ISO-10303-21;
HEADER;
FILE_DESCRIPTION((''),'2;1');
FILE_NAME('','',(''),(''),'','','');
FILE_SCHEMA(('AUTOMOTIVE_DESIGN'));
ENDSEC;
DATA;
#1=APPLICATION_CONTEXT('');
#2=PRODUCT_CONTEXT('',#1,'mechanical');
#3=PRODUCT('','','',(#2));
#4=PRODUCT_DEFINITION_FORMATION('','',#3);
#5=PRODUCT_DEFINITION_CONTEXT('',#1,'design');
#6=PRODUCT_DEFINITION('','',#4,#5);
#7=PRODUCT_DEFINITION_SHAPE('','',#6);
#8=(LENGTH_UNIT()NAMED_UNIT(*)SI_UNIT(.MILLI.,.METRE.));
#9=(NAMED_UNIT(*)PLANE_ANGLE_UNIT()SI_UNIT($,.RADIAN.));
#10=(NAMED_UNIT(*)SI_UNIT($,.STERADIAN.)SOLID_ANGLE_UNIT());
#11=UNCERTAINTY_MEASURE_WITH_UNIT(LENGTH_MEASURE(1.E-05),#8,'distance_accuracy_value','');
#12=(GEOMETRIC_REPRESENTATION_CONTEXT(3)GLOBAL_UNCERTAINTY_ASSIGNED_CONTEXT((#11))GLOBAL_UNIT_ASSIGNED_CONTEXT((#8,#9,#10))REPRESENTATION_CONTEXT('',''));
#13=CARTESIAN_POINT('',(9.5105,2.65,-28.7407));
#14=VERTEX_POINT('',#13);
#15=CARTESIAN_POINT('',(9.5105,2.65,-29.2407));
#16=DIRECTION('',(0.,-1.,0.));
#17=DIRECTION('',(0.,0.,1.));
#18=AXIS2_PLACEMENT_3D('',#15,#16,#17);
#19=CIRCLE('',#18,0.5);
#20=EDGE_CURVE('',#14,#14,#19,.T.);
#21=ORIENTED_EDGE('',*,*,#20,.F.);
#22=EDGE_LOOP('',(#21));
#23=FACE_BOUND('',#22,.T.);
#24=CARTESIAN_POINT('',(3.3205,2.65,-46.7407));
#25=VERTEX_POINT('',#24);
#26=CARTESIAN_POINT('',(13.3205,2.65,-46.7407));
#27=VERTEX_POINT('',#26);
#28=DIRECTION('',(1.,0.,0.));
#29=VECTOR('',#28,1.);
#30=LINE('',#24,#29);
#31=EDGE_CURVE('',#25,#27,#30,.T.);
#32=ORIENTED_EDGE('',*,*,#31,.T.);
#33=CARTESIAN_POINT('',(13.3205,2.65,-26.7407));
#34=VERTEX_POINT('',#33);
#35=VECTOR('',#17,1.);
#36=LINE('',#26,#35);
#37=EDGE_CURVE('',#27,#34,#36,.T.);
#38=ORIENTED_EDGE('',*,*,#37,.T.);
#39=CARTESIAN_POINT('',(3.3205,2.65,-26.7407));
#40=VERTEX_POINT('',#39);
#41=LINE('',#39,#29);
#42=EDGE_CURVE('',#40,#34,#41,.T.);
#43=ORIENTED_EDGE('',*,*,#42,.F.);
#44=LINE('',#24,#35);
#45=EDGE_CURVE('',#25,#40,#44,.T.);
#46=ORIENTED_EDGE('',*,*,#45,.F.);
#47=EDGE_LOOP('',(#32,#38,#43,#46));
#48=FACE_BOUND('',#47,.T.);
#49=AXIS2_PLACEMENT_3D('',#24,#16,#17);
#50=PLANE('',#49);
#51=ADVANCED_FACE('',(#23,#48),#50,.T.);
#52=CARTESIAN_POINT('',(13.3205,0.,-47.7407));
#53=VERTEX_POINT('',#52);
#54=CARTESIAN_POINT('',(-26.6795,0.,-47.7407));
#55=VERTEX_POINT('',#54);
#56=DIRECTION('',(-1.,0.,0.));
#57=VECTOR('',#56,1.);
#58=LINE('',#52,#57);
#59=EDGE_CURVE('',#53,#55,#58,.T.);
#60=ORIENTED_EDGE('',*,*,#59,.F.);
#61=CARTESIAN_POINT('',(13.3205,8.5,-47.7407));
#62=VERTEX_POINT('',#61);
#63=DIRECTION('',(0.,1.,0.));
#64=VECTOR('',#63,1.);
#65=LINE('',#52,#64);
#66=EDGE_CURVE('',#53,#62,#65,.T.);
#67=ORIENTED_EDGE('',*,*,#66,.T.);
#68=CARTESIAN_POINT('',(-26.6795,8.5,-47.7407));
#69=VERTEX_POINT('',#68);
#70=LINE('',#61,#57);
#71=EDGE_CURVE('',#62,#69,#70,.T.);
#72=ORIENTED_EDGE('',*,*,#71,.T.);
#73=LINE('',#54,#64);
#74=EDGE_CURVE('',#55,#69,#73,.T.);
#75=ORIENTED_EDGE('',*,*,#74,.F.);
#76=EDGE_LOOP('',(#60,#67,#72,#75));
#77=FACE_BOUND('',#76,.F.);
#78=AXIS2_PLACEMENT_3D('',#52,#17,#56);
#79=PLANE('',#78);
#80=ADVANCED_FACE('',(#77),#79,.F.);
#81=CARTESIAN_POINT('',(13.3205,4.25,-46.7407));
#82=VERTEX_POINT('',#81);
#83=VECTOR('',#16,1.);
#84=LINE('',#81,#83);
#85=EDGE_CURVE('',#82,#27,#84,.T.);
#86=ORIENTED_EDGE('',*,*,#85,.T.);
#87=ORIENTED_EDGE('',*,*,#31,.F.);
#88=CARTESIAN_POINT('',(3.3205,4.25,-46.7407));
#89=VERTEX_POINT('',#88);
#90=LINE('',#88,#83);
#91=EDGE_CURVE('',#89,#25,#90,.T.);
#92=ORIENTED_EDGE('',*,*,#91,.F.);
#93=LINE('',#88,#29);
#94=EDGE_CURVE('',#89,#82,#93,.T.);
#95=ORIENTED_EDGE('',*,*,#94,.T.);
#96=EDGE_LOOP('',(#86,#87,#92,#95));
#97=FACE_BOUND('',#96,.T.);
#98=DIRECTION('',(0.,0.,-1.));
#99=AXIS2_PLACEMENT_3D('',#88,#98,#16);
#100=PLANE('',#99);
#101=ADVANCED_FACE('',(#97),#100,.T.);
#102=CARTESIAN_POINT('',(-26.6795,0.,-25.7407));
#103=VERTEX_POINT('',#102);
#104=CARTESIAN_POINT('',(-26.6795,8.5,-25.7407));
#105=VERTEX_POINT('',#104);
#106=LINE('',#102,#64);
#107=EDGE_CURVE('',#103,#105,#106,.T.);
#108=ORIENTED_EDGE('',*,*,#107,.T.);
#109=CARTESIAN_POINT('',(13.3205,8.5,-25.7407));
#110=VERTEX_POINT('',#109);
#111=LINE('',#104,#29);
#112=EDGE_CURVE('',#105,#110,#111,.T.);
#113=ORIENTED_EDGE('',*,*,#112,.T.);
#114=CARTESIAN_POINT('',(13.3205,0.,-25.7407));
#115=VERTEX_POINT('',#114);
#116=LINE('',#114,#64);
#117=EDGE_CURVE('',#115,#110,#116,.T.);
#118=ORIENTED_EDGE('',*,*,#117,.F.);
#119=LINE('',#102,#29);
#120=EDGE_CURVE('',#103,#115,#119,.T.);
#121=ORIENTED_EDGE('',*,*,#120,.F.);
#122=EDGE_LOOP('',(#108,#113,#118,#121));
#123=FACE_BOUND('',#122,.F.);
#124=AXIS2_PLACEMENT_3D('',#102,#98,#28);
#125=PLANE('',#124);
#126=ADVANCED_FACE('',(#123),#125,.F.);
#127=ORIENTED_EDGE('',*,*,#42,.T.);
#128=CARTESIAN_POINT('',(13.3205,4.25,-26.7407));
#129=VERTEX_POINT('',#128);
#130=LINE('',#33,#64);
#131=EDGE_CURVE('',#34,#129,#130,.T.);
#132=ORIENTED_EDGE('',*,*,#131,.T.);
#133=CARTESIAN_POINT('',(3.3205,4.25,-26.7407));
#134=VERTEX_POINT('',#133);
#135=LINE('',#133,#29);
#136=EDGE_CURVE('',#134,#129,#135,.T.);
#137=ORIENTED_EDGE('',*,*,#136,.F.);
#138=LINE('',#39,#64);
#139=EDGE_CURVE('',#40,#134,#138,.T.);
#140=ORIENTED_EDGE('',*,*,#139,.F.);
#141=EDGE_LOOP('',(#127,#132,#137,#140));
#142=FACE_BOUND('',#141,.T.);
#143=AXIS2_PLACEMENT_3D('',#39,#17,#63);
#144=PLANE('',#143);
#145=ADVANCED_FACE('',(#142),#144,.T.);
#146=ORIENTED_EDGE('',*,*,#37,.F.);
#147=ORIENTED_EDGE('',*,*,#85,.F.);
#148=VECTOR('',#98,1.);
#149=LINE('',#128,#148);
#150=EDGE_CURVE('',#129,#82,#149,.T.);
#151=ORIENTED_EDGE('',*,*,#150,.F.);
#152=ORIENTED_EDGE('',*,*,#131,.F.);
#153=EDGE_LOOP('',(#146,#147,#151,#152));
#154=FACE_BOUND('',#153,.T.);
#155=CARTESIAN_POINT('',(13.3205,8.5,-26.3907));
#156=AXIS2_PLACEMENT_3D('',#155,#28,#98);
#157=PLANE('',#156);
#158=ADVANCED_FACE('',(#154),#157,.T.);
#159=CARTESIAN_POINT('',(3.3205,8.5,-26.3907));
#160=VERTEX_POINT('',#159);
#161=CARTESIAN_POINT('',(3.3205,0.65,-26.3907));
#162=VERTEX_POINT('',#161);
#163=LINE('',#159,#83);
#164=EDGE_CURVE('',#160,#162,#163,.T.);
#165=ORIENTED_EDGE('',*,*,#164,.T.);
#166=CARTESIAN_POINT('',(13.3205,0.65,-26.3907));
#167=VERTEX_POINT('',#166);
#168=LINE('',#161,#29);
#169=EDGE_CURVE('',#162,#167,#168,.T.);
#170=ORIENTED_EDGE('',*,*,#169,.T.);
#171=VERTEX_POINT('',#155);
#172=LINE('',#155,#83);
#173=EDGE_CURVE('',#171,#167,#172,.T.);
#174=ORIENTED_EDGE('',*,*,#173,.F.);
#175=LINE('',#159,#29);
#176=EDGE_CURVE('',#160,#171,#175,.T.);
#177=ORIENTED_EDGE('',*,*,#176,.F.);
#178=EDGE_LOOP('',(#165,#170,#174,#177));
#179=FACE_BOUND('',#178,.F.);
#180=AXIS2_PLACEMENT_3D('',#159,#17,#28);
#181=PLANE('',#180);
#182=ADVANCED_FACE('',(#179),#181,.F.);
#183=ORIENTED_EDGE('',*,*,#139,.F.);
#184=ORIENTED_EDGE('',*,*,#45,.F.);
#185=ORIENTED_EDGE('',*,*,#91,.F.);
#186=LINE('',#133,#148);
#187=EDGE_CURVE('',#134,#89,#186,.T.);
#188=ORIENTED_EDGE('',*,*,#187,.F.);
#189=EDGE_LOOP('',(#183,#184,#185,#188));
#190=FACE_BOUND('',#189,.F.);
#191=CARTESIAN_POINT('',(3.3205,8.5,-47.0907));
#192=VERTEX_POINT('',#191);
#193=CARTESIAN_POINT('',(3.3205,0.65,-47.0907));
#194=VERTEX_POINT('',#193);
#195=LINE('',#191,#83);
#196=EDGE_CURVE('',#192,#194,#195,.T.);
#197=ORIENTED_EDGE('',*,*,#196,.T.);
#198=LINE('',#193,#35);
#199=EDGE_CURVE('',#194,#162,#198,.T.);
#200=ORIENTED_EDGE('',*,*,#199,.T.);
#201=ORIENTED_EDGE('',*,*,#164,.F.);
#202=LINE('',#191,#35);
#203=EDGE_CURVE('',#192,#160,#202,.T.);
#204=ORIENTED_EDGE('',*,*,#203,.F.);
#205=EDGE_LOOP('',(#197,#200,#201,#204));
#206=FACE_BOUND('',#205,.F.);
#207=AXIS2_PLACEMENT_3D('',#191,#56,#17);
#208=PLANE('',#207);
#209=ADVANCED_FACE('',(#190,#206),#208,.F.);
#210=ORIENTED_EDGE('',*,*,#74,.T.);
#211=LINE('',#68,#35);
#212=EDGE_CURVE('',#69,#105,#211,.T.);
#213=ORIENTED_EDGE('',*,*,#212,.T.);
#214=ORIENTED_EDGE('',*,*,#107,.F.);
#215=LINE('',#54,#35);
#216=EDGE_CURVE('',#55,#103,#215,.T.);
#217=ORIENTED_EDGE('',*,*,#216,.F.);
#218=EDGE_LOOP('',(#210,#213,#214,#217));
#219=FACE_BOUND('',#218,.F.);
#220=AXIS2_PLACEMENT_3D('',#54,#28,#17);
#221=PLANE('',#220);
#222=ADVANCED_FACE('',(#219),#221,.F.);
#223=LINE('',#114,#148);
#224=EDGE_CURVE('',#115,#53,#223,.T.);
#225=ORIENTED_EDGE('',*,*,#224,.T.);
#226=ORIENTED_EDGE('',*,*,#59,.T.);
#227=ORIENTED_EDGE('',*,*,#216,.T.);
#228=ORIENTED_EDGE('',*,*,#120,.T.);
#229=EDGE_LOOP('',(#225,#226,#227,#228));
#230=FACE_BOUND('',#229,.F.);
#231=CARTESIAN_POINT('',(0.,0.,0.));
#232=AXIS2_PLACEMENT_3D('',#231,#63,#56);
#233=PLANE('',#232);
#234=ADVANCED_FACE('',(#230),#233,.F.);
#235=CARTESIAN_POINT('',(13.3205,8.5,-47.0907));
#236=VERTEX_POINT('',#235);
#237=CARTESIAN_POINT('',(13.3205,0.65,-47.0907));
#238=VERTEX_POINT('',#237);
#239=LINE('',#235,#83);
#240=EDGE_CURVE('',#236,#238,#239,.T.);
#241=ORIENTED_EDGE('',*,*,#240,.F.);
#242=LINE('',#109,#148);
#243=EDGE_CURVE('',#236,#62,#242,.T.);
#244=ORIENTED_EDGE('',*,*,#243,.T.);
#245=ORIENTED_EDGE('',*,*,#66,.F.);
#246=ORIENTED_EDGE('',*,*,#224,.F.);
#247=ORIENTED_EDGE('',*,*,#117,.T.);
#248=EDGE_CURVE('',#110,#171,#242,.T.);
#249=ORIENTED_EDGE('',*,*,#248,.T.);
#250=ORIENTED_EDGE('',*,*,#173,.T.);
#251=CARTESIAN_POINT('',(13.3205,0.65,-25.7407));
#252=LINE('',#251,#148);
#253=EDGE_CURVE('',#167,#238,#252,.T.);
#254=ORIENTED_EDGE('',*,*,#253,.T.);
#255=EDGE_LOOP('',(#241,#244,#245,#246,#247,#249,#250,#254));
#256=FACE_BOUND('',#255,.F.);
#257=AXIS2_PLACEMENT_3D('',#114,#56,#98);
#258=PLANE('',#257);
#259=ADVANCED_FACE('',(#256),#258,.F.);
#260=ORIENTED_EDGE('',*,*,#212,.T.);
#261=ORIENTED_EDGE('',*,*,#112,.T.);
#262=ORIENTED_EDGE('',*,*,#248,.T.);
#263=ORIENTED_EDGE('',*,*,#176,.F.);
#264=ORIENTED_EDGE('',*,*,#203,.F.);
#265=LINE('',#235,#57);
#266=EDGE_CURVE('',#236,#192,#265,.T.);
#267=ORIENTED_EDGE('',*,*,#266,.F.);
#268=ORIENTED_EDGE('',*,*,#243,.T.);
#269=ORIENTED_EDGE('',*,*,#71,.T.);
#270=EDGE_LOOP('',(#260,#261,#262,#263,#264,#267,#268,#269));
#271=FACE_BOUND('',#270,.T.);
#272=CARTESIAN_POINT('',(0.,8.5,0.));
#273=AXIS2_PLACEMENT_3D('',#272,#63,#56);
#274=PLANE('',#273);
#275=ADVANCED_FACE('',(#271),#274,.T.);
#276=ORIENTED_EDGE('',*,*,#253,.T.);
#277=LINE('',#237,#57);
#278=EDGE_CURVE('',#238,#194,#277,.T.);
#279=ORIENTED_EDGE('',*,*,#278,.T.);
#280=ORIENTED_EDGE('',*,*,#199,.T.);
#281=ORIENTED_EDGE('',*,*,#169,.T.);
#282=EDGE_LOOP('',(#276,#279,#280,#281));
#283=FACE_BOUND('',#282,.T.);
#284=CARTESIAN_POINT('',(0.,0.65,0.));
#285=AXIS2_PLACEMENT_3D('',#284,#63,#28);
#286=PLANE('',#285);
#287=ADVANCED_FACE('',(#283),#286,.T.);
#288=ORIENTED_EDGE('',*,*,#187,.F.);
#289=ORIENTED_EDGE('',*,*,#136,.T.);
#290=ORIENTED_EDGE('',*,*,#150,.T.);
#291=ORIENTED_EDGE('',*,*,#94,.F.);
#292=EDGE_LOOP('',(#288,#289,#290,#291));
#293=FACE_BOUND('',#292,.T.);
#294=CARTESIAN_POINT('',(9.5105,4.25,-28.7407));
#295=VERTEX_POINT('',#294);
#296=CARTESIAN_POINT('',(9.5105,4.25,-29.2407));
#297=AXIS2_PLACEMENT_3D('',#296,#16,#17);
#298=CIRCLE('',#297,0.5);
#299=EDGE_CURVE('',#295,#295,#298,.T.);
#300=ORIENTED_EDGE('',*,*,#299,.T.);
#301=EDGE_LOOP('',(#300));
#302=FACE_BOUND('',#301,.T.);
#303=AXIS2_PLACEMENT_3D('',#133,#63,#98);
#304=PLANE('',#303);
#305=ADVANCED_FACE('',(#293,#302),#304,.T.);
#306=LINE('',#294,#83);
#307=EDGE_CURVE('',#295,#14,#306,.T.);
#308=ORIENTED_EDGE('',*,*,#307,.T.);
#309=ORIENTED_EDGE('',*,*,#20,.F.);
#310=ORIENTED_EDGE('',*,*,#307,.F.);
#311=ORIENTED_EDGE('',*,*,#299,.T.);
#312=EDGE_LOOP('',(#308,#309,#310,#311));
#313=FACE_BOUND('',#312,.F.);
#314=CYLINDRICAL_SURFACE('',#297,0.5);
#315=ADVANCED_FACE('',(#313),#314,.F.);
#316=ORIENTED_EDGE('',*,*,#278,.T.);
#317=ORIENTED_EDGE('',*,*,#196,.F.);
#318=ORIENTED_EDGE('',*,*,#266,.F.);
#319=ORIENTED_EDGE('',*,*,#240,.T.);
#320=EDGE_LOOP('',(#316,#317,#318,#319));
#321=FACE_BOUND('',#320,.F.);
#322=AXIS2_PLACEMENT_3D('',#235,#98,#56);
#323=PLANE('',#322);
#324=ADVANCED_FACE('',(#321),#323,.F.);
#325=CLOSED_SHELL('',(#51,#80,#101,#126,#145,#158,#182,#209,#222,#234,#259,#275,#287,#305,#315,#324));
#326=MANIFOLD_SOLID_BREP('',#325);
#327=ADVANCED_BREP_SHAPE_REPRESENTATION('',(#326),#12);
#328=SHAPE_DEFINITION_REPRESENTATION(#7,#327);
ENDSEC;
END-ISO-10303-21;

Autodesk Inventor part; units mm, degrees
ref_plane "YZ Plane" through (0, 0, 0) normal (1, 0, 0) x (0, 1, 0)
ref_plane "XZ Plane" through (0, 0, 0) normal (0, 1, 0) x (-1, 0, 0)
ref_plane "XY Plane" through (0, 0, 0) normal (0, 0, 1) x (1, 0, 0)
sketch "Sketch1" plane through (0, 0, 0) normal (0, 1, 0) x (-1, 0, 0)
  line L0 (26.6795, -25.7407) -> (-13.3205, -25.7407)
  line L1 (-13.3205, -25.7407) -> (-13.3205, -47.7407)
  line L2 (-13.3205, -47.7407) -> (26.6795, -47.7407)
  line L3 (26.6795, -47.7407) -> (26.6795, -25.7407)
  dimension "d0" = 40
  dimension "d1" = 22
extrude "Extrusion1" add sketch "Sketch1" along normal blind 8.5
sketch "Sketch2" plane through (0, 8.5, 0) normal (0, 1, 0) x (1, 0, 0)
  line L0 (13.3205, 25.7407) -> (13.3205, 47.7407) projected
  line L1 (13.3205, 47.0907) -> (3.3205, 47.0907)
  line L2 (3.3205, 47.0907) -> (3.3205, 26.3907)
  line L3 (3.3205, 26.3907) -> (13.3205, 26.3907)
  line L4 (13.3205, 26.3907) -> (13.3205, 47.0907)
  line L5 (13.3205, 47.7407) -> (-26.6795, 47.7407) projected
  line L6 (-26.6795, 25.7407) -> (13.3205, 25.7407) projected
  point P0 (13.3205, 26.3907)
  point P1 (8.3205, 47.0907)
  dimension "d6" = 10
  dimension "d23" = 0.65
  dimension "d24" = 0.65
extrude "Extrusion2" cut sketch "Sketch2" against normal blind 7.85
sketch "Sketch3" plane through (3.3205, 8.5, -26.3907) normal (1, 0, 0) x (0, 0, -1)
  line L0 (0.35, -4.25) -> (20.35, -4.25)
  line L1 (20.35, -4.25) -> (20.35, -5.85)
  line L2 (20.35, -5.85) -> (0.35, -5.85)
  line L3 (0.35, -5.85) -> (0.35, -4.25)
  line L4 (20.35, -5.05) -> (20.7, -5.05) construction
  line L5 (20.7, 0) -> (20.7, -7.85) construction
  line L6 (0.35, -5.05) -> (0, -5.05) construction
  line L7 (0, -7.85) -> (0, 0) construction
  line L8 (20.7, -7.85) -> (0, -7.85) construction
  dimension "d9" = 1.6
  dimension "d10" = 2
  dimension "d25" = 20
extrude "Extrusion3" add sketch "Sketch3" along normal up to surface (10 mm away)
sketch "Sketch4" plane through (3.3205, 4.25, -26.7407) normal (0, 1, 0) x (1, 0, 0)
  line L0 (0, 0) -> (10, 0) projected
  line L1 (10, 0) -> (10, 20) projected
  point P0 (-3.3205, -26.7407)
  point P1 (6.19, 2.5)
  dimension "d13" = 2.5
  dimension "d26" = 3.81
hole "Hole1" at (9.5105, 4.25, -29.2407) direction (0, -1, 0) diameter 1 depth 1.6
sketch "Sketch5" plane through (0, 8.5, 0) normal (0, 1, 0) x (1, 0, 0)
  line L0 (-26.3216, 47.7407) -> (3.3205, 47.7407) construction
  line L1 (3.3205, 47.7407) -> (3.3205, 25.7407) construction
  line L2 (3.3205, 25.7407) -> (-26.3216, 25.7407) construction
  line L3 (-26.3216, 25.7407) -> (-26.3216, 47.7407) construction
  line L4 (13.3205, 47.7407) -> (-26.6795, 47.7407) projected
  line L5 (3.3205, 26.3907) -> (3.3205, 47.0907) projected
  point P0 (3.3205, 36.7407)
decal "Decal1"
properties part number "Flysky FS-iA6 Receiver"
